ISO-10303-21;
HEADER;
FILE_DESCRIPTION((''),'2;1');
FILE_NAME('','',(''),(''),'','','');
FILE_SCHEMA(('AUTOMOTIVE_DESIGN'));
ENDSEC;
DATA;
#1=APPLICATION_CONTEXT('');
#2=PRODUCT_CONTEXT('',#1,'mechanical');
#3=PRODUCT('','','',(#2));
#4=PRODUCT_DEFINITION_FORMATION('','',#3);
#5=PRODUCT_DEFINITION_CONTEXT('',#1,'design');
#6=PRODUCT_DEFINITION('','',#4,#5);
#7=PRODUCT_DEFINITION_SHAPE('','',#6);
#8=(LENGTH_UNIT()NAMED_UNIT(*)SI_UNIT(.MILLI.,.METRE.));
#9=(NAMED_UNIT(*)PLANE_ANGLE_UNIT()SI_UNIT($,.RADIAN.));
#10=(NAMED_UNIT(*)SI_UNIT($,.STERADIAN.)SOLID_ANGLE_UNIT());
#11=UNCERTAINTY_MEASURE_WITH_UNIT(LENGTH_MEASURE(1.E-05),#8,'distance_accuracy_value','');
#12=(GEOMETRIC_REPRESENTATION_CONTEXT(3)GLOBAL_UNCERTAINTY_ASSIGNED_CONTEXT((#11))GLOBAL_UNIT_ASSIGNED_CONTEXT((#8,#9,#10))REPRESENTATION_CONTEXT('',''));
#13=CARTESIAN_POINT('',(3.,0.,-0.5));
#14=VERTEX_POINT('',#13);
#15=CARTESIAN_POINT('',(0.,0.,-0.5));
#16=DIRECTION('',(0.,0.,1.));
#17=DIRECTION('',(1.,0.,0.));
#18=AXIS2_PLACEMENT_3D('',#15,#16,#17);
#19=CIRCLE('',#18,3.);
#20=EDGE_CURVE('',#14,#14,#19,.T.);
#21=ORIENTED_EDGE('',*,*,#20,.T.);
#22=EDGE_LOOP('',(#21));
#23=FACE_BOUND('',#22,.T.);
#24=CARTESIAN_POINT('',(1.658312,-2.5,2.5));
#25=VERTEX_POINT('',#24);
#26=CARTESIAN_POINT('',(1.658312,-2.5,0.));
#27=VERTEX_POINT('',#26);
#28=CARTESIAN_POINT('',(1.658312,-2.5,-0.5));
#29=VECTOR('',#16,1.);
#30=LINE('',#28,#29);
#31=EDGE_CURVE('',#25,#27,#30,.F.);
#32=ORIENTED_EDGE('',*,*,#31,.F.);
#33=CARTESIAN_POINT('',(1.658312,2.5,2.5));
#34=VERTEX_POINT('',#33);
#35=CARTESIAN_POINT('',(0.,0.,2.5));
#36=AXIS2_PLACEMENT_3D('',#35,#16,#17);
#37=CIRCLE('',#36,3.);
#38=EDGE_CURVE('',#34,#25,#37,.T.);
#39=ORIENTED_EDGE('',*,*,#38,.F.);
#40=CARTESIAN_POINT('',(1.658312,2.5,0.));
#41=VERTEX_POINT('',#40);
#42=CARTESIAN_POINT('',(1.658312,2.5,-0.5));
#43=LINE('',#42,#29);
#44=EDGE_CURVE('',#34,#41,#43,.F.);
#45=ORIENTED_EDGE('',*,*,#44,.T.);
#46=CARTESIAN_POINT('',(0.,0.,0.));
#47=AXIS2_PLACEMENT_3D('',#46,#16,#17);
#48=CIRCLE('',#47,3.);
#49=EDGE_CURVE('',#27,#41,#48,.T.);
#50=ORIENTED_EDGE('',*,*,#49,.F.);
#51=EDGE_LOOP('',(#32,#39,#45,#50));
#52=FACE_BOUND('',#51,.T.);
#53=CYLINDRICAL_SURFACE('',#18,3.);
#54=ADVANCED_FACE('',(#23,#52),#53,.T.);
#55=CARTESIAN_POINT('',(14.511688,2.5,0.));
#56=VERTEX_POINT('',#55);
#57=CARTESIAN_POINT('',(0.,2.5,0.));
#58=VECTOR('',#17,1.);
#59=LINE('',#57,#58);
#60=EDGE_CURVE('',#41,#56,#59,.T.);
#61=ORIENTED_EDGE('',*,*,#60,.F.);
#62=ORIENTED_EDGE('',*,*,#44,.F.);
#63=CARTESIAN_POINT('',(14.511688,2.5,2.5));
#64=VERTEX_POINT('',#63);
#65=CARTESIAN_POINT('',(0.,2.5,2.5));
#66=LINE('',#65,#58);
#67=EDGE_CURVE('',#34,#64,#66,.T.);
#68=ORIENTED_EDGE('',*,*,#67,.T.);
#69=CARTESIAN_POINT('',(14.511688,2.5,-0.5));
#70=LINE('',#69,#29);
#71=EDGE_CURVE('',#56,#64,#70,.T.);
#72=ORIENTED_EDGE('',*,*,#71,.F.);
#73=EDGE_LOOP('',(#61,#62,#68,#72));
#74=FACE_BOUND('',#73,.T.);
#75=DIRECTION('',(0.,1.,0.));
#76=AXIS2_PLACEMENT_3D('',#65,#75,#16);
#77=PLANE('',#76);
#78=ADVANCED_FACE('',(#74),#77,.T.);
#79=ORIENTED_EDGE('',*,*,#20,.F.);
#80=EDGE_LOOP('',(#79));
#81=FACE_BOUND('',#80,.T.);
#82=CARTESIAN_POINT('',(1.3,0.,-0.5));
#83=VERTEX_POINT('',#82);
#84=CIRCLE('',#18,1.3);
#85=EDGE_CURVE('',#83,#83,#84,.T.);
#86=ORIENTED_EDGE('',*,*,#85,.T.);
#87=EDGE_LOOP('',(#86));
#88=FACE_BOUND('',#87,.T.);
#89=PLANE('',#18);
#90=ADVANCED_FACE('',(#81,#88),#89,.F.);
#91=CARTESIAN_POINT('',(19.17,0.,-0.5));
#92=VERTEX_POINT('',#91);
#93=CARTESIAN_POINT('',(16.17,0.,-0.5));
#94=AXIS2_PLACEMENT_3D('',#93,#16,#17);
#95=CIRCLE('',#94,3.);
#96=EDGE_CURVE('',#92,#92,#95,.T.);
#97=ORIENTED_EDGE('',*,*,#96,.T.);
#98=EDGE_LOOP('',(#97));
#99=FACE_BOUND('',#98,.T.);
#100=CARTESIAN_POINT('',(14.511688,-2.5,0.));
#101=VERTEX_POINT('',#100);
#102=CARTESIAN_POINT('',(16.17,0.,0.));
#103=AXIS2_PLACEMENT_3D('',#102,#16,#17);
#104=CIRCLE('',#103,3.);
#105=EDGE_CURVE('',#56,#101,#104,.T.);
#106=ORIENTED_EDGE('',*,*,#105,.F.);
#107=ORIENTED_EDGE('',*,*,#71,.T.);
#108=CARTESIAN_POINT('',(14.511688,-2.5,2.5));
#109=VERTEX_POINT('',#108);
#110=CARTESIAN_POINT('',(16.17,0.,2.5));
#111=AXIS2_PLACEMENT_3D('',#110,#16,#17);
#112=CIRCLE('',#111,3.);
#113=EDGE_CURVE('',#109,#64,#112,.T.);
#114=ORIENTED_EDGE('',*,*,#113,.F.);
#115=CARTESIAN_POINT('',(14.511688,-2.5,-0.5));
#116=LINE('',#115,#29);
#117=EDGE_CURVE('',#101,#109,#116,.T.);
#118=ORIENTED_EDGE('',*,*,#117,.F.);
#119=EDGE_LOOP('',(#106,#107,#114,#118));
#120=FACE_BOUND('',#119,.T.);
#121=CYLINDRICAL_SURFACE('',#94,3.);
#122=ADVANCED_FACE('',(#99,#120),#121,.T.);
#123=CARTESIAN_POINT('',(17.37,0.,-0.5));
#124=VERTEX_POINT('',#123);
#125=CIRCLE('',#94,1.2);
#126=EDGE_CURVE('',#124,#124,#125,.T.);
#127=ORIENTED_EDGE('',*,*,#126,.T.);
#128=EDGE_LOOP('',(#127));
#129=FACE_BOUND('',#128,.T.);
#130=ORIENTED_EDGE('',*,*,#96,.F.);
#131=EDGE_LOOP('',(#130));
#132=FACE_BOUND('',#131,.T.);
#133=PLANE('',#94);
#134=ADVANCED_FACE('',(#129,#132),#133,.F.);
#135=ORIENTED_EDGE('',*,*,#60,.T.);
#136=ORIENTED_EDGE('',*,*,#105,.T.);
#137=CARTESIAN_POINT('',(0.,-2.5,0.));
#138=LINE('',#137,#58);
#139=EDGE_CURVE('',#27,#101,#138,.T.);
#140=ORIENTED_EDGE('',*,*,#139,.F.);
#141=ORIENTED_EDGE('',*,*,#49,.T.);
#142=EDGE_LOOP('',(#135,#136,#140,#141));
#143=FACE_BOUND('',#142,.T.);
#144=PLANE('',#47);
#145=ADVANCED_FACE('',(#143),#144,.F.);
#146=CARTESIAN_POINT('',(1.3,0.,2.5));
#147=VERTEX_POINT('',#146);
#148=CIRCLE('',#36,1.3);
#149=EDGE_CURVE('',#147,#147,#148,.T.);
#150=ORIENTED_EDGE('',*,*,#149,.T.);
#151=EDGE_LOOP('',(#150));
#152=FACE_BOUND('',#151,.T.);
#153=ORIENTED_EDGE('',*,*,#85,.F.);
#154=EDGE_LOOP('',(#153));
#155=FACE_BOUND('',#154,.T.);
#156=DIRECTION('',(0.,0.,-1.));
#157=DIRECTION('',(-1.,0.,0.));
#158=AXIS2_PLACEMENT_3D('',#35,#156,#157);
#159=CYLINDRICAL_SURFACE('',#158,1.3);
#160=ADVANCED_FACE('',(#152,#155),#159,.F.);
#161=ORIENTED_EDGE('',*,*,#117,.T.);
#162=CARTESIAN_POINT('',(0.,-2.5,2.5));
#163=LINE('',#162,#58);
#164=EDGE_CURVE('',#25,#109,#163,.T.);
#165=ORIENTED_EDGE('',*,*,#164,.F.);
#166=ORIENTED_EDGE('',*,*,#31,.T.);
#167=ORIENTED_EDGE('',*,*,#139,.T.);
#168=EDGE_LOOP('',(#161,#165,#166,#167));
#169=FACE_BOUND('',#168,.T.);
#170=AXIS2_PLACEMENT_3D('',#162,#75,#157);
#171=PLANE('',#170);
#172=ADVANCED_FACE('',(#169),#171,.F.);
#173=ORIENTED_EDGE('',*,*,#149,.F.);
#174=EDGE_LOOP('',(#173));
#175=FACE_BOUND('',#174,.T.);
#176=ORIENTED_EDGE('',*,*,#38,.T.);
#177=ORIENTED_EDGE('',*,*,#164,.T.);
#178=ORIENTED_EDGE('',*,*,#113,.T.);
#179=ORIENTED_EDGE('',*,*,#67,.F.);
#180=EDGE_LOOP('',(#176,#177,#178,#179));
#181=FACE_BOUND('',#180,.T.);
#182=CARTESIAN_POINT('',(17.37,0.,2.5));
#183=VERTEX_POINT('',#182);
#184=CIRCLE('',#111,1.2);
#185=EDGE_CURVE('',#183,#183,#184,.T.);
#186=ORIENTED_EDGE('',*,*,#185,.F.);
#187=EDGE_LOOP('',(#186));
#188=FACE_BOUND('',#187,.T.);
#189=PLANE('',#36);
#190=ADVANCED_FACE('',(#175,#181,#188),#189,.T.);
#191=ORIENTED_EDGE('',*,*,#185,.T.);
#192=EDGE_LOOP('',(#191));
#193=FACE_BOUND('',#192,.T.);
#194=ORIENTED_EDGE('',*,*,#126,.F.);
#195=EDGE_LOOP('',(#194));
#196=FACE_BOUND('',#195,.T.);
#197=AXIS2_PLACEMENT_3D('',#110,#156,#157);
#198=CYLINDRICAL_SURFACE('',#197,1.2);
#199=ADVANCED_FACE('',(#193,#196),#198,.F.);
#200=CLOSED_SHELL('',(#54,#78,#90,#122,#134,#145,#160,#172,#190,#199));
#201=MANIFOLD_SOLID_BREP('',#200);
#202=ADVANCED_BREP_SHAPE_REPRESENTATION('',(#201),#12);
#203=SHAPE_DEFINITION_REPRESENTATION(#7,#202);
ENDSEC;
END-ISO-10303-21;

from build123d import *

# Parameters (mm, degrees)
SKETCH14_R          = 1.3
SKETCH14_R_2        = 1.2
BOSS_EXTRUDE1_DEPTH = 2.5
SKETCH15_R          = 3
SKETCH15_R_2        = 1.2
SKETCH15_R_3        = 1.3
BOSS_EXTRUDE2_DEPTH = 3


with BuildPart() as part:
    # Sketch14 → Boss-Extrude1 (new body)
    with BuildSketch(Plane.XY):
        with BuildLine():
            Line((16.17, 2.5), (0, 2.5))
            ThreePointArc((0, 2.5), (-2.5, 0), (0, -2.5))
            Line((0, -2.5), (16.17, -2.5))
            ThreePointArc((16.17, -2.5), (18.67, 0), (16.17, 2.5))
        make_face()
        Circle(SKETCH14_R, mode=Mode.SUBTRACT)
        with Locations((16.17, 0)):
            Circle(SKETCH14_R_2, mode=Mode.SUBTRACT)
    extrude(amount=BOSS_EXTRUDE1_DEPTH)

    # Sketch15 → Boss-Extrude2 (add)
    with BuildSketch(Plane.XY.offset(2.5)):
        with Locations((16.17, 0)):
            Circle(SKETCH15_R)
        with Locations((16.17, 0)):
            Circle(SKETCH15_R_2, mode=Mode.SUBTRACT)
        Circle(SKETCH15_R)
        Circle(SKETCH15_R_3, mode=Mode.SUBTRACT)
    extrude(amount=-BOSS_EXTRUDE2_DEPTH)


solid = part.part
